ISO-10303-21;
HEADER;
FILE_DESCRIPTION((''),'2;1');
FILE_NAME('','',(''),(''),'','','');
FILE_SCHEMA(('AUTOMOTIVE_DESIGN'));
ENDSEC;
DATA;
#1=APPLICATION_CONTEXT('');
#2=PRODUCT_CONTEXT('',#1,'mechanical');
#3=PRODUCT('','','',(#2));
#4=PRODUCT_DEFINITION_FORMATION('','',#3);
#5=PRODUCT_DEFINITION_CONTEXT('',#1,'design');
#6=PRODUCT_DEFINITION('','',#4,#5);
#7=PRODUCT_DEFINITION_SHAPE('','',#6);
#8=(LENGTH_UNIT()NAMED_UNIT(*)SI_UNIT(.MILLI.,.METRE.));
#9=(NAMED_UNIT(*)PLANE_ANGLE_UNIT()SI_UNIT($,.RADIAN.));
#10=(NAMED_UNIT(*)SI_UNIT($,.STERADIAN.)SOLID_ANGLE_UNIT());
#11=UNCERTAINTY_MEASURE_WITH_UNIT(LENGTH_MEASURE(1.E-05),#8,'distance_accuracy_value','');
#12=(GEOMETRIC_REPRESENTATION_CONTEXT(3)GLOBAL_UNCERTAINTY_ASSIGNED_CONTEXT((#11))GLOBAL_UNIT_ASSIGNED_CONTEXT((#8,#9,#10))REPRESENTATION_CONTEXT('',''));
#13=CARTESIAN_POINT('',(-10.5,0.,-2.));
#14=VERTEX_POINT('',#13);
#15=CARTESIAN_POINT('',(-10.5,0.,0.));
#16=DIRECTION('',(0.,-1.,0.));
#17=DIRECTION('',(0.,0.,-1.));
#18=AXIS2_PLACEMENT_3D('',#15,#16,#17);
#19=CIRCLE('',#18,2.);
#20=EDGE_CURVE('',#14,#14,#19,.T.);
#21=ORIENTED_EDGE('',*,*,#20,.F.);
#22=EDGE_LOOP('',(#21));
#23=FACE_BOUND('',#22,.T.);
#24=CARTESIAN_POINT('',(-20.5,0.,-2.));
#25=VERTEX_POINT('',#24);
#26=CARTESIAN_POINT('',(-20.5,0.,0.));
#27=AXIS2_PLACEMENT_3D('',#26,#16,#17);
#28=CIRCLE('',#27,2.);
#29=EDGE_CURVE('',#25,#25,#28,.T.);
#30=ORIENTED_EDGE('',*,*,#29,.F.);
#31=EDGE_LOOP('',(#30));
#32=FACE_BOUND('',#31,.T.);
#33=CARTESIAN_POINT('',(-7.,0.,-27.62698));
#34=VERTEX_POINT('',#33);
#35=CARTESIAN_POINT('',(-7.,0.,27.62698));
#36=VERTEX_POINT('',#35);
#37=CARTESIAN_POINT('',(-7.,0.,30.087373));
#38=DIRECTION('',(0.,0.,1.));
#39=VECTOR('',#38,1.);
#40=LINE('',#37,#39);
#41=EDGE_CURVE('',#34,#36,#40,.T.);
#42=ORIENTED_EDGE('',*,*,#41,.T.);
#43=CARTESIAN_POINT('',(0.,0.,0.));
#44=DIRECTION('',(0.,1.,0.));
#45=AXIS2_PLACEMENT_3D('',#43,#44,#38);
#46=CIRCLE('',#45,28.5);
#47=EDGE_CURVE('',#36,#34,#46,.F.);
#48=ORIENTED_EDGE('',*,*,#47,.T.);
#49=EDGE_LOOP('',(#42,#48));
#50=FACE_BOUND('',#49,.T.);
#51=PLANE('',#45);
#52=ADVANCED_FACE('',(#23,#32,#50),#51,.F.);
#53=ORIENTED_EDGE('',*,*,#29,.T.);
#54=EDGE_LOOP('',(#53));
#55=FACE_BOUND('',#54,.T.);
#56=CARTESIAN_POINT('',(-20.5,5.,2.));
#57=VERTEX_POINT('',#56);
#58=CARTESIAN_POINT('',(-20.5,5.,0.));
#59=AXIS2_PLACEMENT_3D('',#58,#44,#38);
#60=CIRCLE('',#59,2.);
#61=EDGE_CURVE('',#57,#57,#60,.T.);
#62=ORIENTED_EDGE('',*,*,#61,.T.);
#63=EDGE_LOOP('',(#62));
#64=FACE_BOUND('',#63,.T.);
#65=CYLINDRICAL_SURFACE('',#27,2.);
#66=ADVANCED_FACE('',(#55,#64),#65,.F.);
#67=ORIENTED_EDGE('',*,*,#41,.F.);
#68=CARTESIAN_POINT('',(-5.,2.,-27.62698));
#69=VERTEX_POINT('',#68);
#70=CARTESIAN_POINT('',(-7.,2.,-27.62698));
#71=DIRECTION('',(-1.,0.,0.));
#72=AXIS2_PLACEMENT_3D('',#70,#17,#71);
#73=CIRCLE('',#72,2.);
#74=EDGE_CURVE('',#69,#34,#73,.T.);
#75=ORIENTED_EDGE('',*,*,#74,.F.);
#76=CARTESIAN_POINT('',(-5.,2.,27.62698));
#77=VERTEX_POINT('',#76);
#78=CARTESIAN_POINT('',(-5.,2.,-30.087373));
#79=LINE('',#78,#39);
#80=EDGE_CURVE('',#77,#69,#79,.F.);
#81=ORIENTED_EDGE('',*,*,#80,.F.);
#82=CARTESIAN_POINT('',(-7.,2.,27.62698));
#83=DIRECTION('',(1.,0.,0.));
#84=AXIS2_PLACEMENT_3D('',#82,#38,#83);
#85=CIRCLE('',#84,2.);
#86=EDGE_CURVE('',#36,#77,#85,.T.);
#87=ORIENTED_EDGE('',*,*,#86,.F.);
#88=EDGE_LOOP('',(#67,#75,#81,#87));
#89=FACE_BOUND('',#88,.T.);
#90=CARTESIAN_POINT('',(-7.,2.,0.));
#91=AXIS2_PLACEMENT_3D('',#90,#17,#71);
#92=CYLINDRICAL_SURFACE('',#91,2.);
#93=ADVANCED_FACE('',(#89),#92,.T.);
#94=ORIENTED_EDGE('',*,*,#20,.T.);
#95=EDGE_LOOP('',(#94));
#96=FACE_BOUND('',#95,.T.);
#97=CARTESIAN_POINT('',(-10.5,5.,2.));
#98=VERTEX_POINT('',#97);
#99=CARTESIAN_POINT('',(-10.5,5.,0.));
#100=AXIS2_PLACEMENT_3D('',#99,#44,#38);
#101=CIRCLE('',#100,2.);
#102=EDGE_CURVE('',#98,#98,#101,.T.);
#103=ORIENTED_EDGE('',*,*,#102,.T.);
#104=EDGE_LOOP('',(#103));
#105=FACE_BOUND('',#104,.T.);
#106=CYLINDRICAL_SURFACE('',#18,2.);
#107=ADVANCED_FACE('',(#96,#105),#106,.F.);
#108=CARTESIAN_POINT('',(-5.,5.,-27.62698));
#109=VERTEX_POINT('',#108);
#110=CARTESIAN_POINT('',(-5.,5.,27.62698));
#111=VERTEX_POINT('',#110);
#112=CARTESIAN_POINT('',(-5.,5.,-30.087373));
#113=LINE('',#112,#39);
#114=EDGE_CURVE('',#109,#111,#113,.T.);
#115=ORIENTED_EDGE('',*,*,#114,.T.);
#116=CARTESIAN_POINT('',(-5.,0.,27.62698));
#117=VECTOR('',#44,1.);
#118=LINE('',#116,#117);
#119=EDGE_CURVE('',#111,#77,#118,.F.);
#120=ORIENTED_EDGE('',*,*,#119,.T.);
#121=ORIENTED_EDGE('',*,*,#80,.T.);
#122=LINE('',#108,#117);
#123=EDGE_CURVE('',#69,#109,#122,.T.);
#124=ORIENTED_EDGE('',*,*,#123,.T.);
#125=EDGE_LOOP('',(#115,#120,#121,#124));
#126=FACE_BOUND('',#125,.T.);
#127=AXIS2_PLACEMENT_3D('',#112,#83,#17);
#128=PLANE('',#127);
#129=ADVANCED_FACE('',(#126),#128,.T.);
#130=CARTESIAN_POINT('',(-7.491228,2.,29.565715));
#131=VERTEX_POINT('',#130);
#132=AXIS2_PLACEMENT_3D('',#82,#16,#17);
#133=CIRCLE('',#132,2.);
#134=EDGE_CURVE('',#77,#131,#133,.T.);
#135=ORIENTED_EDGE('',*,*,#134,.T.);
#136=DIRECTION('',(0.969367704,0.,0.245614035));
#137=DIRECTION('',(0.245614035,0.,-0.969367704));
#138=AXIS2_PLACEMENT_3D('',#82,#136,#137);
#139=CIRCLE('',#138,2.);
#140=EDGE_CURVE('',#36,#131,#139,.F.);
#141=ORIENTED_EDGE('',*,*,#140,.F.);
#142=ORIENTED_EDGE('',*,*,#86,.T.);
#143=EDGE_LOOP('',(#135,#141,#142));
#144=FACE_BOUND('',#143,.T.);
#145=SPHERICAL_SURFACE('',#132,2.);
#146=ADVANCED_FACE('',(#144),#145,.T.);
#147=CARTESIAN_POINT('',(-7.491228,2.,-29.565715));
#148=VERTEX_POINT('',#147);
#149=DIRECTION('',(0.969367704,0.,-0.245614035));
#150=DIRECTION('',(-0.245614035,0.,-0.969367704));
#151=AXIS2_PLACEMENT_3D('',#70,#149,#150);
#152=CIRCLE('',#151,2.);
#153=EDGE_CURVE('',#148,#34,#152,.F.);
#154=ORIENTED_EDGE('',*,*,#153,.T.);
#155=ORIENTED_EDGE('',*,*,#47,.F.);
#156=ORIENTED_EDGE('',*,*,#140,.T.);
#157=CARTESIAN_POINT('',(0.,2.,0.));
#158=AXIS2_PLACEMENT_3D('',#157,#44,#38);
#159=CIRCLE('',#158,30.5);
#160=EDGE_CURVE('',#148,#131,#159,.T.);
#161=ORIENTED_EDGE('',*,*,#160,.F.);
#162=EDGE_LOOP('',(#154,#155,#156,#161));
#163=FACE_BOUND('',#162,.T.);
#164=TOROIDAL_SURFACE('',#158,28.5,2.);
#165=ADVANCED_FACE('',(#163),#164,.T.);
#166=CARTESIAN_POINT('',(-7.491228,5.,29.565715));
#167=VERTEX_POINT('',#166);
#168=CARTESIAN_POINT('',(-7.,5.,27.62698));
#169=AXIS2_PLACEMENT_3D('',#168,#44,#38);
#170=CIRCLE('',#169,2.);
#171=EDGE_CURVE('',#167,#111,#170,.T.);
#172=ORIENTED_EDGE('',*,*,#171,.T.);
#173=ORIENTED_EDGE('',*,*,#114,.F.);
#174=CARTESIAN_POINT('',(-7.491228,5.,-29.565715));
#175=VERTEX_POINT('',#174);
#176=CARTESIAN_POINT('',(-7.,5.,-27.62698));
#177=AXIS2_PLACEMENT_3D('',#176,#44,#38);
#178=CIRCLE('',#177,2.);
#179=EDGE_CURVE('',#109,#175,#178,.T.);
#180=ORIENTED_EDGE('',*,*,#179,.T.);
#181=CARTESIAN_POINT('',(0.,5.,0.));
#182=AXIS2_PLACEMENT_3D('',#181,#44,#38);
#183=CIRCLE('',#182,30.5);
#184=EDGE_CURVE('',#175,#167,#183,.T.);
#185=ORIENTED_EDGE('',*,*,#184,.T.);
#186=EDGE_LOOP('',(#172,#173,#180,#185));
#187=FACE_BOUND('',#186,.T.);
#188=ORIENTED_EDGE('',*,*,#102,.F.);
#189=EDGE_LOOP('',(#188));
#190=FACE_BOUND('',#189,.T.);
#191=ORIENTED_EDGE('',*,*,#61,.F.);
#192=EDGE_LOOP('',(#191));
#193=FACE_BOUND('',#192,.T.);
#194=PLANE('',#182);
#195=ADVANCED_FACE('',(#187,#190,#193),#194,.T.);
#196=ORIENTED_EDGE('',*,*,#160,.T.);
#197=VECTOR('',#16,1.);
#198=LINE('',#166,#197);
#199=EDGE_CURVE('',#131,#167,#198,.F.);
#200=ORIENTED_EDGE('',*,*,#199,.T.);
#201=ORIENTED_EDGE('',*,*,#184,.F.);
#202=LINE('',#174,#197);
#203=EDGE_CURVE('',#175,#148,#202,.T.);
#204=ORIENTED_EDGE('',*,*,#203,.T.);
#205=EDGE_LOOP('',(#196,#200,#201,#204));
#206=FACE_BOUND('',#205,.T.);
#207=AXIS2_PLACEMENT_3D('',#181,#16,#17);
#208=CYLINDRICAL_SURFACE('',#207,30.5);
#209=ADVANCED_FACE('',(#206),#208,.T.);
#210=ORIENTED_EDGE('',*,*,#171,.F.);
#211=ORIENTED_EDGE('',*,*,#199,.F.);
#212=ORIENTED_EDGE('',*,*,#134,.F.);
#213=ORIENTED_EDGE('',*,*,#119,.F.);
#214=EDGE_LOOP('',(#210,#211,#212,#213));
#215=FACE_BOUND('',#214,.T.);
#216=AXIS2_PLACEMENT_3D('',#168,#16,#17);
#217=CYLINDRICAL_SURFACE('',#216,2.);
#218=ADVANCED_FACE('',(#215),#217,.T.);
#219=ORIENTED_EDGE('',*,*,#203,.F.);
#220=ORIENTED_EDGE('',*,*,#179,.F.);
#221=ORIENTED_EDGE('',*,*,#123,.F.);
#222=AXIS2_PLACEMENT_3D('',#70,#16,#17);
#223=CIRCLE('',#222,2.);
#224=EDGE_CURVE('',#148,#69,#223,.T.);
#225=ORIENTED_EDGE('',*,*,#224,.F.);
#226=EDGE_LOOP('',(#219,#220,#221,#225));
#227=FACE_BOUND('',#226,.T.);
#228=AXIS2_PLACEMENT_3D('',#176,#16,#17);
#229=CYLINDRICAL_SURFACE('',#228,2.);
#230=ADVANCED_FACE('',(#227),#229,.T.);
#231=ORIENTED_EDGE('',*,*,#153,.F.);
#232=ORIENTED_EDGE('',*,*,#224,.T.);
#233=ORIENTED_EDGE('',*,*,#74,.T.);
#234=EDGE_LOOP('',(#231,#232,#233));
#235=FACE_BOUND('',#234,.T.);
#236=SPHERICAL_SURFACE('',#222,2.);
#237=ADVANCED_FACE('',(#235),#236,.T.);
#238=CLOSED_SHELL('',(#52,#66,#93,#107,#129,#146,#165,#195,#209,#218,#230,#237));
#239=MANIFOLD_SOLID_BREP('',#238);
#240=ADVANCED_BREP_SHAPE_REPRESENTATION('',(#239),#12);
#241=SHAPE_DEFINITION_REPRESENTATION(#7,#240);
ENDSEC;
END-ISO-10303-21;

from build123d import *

# Parameters (mm, degrees)
BOSS_EXTRUDE2_DEPTH       = 5
F_4_0MM_DOWEL_HOLE1_D     = 4
F_4_0MM_DOWEL_HOLE1_DEPTH = 117.6291
F_4_0MM_DOWEL_HOLE1_TIP   = 1.201721238
FILLET1_R                 = 2


with BuildPart() as part:
    # Sketch2 → Boss-Extrude2 (new body)
    with BuildSketch(Plane(origin=(0, 0, 0), x_dir=(1, 0, 0), z_dir=(0, 1, 0))):
        with BuildLine():
            Line((-5, 30.087372767), (-5, -30.087372767))
            ThreePointArc((-5, -30.087372767), (-30.5, 0), (-5, 30.087372767))
        make_face()
    extrude(amount=BOSS_EXTRUDE2_DEPTH)

    # Ø4.0mm Dowel Hole1
    with Locations(Plane.XZ):
        with Locations((-20.5, 0), (-10.5, 0)):
            Hole(F_4_0MM_DOWEL_HOLE1_D / 2, depth=F_4_0MM_DOWEL_HOLE1_DEPTH)
            with Locations((0, 0, -(F_4_0MM_DOWEL_HOLE1_DEPTH + F_4_0MM_DOWEL_HOLE1_TIP / 2))):  # 118° drill point
                Cone(0, F_4_0MM_DOWEL_HOLE1_D / 2, F_4_0MM_DOWEL_HOLE1_TIP, mode=Mode.SUBTRACT)

    # Fillet1
    fillet1_edges = [part.edges().sort_by_distance(p)[0] for p in [
        (-5, 0, 0),
        (-30.5, 0, 0),
        (-5, 2.5, -30.087372767),
        (-5, 2.5, 30.087372767),
    ]]
    fillet(fillet1_edges, radius=FILLET1_R)


solid = part.part
